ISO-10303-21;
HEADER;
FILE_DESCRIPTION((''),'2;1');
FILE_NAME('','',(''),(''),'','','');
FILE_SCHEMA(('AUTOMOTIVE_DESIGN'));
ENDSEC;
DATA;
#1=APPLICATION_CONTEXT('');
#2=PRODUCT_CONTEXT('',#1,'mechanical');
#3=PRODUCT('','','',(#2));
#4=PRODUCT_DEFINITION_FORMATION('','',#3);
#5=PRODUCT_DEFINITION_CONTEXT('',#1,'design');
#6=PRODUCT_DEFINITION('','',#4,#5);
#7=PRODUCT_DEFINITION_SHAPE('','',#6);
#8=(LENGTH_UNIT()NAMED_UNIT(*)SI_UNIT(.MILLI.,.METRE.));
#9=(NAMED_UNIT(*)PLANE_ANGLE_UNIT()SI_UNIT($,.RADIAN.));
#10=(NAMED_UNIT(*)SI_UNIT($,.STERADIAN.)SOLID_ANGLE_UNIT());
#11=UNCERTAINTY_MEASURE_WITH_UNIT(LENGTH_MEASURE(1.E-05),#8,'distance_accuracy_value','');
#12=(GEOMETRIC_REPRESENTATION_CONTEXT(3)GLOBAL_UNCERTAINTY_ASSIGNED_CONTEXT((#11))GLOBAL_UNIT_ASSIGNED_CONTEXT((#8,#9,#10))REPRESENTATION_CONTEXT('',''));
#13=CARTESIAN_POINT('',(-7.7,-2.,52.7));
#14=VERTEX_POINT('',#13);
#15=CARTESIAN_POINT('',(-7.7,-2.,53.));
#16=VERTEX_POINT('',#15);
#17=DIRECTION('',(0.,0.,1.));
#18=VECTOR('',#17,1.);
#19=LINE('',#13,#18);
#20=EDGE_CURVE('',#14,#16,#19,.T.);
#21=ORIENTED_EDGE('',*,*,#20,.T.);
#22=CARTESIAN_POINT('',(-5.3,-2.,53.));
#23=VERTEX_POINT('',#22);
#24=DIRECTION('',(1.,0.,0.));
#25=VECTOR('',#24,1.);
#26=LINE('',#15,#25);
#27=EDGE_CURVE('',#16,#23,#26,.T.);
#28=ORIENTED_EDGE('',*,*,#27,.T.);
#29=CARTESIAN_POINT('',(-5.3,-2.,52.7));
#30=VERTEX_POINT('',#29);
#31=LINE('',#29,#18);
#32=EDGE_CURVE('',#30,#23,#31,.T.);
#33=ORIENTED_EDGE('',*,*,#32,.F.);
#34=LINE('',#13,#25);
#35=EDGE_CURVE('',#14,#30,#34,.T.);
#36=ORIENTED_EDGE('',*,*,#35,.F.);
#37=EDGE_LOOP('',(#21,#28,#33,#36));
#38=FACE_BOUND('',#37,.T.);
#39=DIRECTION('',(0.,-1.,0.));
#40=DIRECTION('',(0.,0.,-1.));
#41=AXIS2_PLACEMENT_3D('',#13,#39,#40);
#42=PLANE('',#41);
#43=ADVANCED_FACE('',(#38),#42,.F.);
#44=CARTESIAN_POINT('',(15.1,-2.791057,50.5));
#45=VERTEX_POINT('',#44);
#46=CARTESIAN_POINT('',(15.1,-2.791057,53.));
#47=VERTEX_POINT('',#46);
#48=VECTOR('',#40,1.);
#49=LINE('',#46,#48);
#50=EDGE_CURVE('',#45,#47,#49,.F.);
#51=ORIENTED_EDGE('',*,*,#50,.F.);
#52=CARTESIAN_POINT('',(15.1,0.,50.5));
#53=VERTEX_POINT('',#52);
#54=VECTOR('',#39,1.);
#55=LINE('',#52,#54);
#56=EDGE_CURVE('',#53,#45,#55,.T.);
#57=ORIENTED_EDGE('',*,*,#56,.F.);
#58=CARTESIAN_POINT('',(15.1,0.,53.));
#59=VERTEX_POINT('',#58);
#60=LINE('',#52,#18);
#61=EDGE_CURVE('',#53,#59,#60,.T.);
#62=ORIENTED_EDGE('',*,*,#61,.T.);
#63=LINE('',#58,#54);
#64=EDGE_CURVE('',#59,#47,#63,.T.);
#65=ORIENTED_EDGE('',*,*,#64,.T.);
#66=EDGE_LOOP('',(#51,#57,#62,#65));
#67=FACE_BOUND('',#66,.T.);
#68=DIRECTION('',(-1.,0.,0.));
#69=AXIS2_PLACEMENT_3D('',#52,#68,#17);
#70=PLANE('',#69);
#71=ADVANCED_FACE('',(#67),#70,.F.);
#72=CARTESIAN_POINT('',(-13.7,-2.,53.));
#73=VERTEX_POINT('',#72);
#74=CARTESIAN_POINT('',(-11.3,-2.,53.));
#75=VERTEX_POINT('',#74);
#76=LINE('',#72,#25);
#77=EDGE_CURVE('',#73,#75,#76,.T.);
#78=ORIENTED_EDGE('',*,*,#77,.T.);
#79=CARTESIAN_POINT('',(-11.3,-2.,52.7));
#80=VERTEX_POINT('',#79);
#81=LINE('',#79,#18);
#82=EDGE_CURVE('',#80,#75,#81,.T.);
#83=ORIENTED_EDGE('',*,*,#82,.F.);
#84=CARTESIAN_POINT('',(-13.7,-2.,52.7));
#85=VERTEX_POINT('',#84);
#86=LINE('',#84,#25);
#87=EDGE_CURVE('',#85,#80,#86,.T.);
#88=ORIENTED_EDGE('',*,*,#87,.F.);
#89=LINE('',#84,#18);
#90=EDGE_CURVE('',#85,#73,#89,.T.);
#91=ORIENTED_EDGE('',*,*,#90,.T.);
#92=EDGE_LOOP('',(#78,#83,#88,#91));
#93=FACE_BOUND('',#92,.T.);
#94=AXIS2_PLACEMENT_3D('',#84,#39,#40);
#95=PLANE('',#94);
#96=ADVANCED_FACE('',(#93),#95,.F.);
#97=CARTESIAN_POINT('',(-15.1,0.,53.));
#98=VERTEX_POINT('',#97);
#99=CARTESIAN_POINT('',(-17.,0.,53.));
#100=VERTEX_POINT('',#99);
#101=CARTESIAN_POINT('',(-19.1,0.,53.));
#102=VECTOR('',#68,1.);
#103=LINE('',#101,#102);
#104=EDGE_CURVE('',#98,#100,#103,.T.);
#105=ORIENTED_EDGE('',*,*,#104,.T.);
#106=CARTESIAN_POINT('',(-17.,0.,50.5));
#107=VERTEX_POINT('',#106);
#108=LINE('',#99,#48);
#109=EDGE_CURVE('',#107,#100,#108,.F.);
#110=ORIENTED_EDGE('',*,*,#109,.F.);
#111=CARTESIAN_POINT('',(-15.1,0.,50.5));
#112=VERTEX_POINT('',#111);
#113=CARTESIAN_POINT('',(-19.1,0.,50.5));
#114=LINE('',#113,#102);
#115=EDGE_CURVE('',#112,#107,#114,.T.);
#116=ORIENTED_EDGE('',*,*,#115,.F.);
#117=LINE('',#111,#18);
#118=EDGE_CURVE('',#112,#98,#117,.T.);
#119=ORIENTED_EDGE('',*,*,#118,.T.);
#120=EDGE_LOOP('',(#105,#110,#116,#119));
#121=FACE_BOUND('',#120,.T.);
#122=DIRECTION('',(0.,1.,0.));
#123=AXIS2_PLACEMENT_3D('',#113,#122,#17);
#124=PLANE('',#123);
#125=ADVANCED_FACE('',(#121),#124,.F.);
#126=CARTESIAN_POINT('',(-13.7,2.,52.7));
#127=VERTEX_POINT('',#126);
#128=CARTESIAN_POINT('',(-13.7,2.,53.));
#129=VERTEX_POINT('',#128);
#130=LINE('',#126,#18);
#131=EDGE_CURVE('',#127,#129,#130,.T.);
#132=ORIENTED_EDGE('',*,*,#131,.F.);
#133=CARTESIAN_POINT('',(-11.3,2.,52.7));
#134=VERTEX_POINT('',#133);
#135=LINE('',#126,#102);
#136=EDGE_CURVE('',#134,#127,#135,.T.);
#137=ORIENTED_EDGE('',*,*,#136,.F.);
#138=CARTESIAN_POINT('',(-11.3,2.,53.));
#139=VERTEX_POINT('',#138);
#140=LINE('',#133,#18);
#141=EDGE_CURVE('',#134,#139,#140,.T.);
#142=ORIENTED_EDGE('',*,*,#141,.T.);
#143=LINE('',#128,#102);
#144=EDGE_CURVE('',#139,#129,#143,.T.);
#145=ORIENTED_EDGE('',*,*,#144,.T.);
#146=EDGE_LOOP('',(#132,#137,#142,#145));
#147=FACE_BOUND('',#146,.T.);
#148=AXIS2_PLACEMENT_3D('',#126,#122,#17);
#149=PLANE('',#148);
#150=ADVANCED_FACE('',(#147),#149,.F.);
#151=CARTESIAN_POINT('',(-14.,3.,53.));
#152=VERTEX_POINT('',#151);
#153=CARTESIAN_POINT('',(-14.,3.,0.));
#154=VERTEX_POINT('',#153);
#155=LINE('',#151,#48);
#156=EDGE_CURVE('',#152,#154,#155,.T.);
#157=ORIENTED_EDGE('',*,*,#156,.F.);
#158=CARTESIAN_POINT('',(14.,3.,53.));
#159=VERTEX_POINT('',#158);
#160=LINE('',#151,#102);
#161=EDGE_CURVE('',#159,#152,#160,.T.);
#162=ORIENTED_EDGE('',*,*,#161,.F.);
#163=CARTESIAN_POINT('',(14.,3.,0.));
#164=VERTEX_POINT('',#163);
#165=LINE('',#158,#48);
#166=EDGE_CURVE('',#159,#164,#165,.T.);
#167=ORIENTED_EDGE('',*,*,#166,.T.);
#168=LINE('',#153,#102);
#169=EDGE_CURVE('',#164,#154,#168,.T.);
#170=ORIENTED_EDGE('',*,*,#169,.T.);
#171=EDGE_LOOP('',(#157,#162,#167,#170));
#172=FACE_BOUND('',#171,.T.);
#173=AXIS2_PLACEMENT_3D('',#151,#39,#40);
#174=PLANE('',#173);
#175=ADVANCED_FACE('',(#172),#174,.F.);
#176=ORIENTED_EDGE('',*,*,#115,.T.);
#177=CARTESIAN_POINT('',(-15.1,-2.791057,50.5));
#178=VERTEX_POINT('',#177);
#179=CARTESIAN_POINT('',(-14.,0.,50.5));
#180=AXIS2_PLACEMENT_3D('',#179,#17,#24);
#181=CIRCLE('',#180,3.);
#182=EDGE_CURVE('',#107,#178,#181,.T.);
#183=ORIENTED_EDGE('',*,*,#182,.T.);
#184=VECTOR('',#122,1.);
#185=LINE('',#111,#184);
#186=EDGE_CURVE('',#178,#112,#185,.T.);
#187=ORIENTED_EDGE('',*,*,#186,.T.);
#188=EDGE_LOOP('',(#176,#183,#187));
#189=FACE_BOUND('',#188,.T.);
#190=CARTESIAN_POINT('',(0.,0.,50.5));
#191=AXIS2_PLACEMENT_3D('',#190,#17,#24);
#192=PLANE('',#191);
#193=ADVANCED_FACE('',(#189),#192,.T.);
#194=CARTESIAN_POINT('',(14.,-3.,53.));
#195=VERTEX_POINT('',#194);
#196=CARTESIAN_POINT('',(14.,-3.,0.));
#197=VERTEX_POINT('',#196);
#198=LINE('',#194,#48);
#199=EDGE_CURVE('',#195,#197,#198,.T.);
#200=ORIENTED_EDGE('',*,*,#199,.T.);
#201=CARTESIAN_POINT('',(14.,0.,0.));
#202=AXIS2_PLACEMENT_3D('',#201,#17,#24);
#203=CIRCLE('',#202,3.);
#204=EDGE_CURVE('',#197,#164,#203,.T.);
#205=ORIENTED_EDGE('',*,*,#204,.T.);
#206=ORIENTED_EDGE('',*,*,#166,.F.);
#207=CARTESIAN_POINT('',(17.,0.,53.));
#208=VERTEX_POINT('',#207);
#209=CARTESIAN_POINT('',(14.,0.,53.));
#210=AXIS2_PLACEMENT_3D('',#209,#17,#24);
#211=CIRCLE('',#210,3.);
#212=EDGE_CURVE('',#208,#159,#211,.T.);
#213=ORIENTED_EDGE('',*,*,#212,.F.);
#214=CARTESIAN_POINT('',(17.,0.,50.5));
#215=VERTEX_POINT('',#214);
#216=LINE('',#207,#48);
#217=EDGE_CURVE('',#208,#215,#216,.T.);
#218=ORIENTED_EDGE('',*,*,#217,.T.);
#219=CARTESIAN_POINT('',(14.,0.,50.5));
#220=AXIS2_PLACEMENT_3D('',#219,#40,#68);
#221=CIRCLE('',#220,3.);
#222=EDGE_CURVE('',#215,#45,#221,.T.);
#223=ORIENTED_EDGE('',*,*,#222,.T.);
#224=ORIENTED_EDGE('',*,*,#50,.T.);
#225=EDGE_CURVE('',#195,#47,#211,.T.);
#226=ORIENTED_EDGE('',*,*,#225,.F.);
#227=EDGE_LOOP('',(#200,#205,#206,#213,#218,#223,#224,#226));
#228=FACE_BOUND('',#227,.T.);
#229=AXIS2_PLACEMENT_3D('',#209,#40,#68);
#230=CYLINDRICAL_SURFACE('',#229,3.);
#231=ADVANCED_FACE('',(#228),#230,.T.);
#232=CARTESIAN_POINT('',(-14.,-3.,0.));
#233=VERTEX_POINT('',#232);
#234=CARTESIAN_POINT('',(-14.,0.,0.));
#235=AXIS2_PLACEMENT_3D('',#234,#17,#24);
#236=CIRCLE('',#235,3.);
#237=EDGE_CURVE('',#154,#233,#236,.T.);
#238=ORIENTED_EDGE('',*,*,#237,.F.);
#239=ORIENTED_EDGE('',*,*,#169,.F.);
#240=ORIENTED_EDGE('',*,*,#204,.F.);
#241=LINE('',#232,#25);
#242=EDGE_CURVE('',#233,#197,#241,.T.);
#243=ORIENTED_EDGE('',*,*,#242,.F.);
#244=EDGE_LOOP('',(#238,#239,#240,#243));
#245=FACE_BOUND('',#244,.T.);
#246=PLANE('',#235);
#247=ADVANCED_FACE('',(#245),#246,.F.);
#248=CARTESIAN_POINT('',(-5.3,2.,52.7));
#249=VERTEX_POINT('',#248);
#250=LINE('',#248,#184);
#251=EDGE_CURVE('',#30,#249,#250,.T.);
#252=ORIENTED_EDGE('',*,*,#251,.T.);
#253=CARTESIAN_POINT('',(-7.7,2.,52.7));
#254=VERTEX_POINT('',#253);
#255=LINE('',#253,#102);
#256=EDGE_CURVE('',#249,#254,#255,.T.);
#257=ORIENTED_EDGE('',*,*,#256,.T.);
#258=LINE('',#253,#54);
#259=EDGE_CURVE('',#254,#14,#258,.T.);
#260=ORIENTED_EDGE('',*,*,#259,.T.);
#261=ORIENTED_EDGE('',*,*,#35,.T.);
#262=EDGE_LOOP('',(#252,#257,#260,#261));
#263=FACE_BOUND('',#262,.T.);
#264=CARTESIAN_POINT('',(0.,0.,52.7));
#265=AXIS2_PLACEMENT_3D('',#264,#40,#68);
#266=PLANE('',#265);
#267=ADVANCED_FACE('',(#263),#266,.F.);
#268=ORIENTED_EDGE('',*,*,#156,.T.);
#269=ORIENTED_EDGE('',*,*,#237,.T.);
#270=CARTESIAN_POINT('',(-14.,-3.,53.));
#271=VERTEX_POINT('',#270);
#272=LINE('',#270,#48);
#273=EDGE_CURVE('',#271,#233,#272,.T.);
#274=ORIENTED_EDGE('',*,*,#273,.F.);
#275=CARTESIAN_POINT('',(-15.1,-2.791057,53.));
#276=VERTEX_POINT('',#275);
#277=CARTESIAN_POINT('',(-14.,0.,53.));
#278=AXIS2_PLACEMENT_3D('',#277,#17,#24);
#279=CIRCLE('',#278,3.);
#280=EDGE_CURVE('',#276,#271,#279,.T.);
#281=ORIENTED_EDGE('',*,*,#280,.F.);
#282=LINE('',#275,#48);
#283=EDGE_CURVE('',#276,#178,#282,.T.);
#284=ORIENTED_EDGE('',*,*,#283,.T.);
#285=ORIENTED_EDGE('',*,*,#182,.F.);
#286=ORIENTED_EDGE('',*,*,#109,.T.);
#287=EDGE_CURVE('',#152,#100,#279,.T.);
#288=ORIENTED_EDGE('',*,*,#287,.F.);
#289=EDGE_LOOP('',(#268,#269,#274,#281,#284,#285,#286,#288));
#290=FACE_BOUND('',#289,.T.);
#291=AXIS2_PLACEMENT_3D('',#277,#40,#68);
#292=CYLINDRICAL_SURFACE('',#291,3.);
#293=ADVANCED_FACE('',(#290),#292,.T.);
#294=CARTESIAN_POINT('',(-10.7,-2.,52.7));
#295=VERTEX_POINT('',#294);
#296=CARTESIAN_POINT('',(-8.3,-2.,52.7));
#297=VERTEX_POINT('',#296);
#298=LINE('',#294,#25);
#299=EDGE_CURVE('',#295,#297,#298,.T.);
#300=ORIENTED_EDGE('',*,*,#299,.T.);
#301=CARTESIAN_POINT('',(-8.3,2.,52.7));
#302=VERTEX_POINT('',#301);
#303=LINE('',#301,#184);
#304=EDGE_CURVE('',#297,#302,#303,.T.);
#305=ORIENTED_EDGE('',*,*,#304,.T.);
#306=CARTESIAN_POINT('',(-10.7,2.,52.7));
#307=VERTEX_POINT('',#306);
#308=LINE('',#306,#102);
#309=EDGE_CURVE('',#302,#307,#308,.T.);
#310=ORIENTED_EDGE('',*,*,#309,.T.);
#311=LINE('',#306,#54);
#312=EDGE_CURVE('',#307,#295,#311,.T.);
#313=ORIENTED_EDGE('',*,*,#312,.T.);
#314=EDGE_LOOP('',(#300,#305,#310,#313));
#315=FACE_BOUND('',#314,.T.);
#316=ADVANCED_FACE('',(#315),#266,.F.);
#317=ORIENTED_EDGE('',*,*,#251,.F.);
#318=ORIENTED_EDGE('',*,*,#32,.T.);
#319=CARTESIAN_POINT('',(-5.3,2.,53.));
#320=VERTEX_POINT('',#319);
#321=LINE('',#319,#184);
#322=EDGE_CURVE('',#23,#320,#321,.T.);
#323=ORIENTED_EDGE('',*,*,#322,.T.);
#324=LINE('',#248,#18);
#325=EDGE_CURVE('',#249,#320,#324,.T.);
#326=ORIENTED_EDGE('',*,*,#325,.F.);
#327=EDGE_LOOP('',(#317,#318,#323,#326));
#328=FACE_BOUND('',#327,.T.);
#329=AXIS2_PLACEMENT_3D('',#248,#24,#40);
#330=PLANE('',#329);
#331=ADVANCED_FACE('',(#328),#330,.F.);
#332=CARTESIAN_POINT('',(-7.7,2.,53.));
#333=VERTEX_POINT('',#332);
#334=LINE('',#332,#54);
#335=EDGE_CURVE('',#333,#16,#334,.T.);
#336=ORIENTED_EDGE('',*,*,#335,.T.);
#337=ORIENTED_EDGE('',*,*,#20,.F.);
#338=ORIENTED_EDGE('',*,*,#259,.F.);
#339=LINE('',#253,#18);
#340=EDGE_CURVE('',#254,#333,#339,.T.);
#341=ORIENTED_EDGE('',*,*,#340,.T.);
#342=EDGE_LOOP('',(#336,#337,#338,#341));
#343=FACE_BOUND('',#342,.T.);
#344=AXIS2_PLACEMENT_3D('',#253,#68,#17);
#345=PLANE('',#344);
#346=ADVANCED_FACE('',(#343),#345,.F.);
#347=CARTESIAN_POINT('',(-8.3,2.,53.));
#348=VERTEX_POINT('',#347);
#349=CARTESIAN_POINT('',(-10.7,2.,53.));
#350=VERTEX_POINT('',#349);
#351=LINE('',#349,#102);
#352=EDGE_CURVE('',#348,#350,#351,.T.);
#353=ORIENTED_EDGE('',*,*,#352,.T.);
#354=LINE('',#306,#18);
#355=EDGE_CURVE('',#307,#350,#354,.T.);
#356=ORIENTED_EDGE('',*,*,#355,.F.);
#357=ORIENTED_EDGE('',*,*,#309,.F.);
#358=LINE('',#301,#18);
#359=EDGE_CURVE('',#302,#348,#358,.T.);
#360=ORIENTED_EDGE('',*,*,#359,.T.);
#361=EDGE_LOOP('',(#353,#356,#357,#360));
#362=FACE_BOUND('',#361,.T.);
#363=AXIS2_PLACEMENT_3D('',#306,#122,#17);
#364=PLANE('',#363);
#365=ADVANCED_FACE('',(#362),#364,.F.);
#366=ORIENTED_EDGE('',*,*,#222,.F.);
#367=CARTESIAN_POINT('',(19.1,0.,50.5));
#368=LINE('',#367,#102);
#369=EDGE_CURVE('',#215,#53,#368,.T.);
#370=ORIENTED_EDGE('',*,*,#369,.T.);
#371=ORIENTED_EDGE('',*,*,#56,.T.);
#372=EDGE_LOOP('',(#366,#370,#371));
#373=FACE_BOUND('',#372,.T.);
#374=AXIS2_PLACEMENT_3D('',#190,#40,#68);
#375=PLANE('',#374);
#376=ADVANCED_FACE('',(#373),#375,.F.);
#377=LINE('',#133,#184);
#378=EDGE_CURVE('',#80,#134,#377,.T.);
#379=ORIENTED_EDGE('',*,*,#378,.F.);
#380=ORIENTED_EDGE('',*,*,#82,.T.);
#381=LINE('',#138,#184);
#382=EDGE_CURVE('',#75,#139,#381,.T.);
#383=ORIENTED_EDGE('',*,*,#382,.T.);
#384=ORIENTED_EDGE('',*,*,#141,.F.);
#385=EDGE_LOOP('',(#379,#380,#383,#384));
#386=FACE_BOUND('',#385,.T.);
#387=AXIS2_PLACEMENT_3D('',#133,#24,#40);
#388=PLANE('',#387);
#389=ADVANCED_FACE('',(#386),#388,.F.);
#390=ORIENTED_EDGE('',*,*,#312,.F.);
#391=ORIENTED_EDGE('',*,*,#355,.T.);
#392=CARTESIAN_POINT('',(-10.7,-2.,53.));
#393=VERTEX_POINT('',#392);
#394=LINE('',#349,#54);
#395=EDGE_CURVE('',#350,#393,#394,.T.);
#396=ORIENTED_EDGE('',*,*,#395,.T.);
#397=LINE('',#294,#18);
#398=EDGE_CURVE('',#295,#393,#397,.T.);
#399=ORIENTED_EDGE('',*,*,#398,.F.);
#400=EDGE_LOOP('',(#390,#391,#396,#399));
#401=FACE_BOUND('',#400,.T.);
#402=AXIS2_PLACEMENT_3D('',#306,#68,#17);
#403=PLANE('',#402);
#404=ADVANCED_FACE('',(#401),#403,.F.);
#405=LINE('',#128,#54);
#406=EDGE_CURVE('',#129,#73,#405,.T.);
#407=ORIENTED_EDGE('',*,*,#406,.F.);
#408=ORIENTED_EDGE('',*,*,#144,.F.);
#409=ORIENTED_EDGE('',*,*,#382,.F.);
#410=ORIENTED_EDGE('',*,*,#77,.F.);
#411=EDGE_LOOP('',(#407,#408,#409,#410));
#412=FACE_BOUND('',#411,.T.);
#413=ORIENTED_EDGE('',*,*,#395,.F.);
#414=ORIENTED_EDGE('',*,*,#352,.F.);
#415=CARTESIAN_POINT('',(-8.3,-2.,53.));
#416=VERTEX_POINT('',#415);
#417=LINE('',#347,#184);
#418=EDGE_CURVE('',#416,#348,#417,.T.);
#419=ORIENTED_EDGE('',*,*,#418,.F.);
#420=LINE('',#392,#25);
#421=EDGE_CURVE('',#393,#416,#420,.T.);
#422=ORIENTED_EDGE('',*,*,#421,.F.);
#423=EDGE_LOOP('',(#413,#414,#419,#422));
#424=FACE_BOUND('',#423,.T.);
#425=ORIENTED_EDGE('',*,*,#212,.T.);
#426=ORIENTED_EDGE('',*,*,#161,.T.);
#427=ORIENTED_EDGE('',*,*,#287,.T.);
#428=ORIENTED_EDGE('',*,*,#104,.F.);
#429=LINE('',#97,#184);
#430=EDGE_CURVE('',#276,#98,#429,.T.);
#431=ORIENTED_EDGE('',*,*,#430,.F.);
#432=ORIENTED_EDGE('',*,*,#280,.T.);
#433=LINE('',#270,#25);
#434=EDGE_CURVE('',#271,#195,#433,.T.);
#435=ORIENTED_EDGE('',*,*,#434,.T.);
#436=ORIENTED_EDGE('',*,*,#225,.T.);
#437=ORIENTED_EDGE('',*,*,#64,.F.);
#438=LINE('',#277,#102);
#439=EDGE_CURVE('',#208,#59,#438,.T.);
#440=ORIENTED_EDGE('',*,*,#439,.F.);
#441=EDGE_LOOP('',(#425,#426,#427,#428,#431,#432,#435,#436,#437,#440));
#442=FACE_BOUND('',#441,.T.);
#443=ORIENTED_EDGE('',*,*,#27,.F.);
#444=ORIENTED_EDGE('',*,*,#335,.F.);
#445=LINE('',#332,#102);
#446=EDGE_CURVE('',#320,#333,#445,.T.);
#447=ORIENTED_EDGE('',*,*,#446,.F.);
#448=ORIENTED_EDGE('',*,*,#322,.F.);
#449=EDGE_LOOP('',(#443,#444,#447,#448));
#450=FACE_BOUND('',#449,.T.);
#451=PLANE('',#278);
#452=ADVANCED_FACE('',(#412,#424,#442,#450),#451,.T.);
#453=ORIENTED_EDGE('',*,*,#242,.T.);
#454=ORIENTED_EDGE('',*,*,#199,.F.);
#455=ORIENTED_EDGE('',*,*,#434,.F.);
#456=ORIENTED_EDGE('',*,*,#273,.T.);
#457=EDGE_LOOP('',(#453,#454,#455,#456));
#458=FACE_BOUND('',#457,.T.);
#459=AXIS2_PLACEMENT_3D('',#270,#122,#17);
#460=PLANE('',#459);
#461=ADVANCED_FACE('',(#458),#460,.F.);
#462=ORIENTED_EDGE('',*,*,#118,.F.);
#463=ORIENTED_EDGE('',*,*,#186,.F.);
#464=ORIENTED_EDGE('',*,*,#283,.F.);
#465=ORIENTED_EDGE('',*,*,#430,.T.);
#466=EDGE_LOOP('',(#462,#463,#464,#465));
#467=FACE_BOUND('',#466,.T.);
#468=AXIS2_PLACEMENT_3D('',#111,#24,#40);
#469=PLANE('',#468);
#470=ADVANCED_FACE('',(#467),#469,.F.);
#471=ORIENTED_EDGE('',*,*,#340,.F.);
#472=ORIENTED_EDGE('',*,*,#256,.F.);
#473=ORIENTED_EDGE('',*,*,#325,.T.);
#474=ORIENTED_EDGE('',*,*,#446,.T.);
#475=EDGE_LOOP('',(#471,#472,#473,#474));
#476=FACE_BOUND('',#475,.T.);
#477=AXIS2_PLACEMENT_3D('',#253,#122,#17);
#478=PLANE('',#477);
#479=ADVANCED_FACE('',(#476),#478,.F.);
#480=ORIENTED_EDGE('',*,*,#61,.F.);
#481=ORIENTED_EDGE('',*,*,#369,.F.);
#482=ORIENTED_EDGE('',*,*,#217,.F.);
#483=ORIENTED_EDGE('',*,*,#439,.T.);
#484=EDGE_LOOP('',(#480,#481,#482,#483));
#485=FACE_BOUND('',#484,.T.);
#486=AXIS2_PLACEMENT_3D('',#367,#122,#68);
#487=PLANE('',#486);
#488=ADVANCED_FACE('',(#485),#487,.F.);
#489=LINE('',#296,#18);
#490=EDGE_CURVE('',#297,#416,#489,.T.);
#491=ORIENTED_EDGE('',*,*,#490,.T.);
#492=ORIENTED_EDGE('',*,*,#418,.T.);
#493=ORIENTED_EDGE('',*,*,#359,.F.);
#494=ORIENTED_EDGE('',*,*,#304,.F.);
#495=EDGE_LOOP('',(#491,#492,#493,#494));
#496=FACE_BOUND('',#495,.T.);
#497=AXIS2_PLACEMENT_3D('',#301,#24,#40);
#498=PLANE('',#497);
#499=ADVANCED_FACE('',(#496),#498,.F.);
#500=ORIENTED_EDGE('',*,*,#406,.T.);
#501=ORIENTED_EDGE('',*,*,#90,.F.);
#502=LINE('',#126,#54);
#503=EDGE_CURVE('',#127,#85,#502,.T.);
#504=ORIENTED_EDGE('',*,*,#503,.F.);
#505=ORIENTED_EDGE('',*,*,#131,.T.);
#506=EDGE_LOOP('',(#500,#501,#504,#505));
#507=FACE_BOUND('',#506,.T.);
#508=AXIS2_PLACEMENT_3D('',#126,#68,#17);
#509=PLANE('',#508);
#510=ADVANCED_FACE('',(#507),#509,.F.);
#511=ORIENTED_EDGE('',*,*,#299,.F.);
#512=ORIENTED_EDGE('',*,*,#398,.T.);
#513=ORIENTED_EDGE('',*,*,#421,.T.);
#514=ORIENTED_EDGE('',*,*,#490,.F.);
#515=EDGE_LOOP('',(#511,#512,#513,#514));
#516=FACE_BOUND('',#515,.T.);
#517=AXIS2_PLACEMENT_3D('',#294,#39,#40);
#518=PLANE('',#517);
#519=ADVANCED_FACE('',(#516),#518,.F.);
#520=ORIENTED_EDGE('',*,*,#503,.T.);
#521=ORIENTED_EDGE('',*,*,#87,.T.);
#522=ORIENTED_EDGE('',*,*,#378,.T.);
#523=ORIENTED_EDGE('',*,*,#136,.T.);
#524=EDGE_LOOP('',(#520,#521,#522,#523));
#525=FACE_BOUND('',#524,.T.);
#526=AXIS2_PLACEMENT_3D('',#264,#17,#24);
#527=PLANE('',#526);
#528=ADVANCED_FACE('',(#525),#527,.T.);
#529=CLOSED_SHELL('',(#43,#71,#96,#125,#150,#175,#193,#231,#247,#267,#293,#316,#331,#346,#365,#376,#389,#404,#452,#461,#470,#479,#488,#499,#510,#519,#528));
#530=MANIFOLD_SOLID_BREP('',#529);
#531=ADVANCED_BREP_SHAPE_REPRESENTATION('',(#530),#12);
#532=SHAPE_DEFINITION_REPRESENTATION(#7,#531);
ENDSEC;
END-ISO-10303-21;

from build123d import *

# Parameters (mm, degrees)
BOSS_EXTRUDE1_DEPTH = 53
SKETCH2_W           = 2.4
SKETCH2_H           = 4
CUT_EXTRUDE1_DEPTH  = 0.3
SKETCH3_W           = 4
SKETCH3_H           = 4
CUT_EXTRUDE2_DEPTH  = 2.5


with BuildPart() as part:
    # Sketch1 → Boss-Extrude1 (new body)
    with BuildSketch(Plane.XY):
        with BuildLine():
            Line((-14, 3), (14, 3))
            ThreePointArc((14, 3), (17, 0), (14, -3))
            Line((14, -3), (-14, -3))
            ThreePointArc((-14, -3), (-17, 0), (-14, 3))
        make_face()
    extrude(amount=BOSS_EXTRUDE1_DEPTH)

    # Sketch2 → Cut-Extrude1 (cut)
    with BuildSketch(Plane.XY.offset(53)):
        with Locations((-12.5, 0)):
            Rectangle(SKETCH2_W, SKETCH2_H)
        with Locations((-9.5, 0)):
            Rectangle(SKETCH2_W, SKETCH2_H)
        with Locations((-6.5, 0)):
            Rectangle(SKETCH2_W, SKETCH2_H)
    extrude(amount=-CUT_EXTRUDE1_DEPTH, mode=Mode.SUBTRACT)

    # Sketch3 → Cut-Extrude2 (cut)
    with BuildSketch(Plane.XY.offset(53)):
        with Locations((-17.1, -2)):
            Rectangle(SKETCH3_W, SKETCH3_H)
        with Locations((17.1, -2)):
            Rectangle(SKETCH3_W, SKETCH3_H)
    extrude(amount=-CUT_EXTRUDE2_DEPTH, mode=Mode.SUBTRACT)


solid = part.part
